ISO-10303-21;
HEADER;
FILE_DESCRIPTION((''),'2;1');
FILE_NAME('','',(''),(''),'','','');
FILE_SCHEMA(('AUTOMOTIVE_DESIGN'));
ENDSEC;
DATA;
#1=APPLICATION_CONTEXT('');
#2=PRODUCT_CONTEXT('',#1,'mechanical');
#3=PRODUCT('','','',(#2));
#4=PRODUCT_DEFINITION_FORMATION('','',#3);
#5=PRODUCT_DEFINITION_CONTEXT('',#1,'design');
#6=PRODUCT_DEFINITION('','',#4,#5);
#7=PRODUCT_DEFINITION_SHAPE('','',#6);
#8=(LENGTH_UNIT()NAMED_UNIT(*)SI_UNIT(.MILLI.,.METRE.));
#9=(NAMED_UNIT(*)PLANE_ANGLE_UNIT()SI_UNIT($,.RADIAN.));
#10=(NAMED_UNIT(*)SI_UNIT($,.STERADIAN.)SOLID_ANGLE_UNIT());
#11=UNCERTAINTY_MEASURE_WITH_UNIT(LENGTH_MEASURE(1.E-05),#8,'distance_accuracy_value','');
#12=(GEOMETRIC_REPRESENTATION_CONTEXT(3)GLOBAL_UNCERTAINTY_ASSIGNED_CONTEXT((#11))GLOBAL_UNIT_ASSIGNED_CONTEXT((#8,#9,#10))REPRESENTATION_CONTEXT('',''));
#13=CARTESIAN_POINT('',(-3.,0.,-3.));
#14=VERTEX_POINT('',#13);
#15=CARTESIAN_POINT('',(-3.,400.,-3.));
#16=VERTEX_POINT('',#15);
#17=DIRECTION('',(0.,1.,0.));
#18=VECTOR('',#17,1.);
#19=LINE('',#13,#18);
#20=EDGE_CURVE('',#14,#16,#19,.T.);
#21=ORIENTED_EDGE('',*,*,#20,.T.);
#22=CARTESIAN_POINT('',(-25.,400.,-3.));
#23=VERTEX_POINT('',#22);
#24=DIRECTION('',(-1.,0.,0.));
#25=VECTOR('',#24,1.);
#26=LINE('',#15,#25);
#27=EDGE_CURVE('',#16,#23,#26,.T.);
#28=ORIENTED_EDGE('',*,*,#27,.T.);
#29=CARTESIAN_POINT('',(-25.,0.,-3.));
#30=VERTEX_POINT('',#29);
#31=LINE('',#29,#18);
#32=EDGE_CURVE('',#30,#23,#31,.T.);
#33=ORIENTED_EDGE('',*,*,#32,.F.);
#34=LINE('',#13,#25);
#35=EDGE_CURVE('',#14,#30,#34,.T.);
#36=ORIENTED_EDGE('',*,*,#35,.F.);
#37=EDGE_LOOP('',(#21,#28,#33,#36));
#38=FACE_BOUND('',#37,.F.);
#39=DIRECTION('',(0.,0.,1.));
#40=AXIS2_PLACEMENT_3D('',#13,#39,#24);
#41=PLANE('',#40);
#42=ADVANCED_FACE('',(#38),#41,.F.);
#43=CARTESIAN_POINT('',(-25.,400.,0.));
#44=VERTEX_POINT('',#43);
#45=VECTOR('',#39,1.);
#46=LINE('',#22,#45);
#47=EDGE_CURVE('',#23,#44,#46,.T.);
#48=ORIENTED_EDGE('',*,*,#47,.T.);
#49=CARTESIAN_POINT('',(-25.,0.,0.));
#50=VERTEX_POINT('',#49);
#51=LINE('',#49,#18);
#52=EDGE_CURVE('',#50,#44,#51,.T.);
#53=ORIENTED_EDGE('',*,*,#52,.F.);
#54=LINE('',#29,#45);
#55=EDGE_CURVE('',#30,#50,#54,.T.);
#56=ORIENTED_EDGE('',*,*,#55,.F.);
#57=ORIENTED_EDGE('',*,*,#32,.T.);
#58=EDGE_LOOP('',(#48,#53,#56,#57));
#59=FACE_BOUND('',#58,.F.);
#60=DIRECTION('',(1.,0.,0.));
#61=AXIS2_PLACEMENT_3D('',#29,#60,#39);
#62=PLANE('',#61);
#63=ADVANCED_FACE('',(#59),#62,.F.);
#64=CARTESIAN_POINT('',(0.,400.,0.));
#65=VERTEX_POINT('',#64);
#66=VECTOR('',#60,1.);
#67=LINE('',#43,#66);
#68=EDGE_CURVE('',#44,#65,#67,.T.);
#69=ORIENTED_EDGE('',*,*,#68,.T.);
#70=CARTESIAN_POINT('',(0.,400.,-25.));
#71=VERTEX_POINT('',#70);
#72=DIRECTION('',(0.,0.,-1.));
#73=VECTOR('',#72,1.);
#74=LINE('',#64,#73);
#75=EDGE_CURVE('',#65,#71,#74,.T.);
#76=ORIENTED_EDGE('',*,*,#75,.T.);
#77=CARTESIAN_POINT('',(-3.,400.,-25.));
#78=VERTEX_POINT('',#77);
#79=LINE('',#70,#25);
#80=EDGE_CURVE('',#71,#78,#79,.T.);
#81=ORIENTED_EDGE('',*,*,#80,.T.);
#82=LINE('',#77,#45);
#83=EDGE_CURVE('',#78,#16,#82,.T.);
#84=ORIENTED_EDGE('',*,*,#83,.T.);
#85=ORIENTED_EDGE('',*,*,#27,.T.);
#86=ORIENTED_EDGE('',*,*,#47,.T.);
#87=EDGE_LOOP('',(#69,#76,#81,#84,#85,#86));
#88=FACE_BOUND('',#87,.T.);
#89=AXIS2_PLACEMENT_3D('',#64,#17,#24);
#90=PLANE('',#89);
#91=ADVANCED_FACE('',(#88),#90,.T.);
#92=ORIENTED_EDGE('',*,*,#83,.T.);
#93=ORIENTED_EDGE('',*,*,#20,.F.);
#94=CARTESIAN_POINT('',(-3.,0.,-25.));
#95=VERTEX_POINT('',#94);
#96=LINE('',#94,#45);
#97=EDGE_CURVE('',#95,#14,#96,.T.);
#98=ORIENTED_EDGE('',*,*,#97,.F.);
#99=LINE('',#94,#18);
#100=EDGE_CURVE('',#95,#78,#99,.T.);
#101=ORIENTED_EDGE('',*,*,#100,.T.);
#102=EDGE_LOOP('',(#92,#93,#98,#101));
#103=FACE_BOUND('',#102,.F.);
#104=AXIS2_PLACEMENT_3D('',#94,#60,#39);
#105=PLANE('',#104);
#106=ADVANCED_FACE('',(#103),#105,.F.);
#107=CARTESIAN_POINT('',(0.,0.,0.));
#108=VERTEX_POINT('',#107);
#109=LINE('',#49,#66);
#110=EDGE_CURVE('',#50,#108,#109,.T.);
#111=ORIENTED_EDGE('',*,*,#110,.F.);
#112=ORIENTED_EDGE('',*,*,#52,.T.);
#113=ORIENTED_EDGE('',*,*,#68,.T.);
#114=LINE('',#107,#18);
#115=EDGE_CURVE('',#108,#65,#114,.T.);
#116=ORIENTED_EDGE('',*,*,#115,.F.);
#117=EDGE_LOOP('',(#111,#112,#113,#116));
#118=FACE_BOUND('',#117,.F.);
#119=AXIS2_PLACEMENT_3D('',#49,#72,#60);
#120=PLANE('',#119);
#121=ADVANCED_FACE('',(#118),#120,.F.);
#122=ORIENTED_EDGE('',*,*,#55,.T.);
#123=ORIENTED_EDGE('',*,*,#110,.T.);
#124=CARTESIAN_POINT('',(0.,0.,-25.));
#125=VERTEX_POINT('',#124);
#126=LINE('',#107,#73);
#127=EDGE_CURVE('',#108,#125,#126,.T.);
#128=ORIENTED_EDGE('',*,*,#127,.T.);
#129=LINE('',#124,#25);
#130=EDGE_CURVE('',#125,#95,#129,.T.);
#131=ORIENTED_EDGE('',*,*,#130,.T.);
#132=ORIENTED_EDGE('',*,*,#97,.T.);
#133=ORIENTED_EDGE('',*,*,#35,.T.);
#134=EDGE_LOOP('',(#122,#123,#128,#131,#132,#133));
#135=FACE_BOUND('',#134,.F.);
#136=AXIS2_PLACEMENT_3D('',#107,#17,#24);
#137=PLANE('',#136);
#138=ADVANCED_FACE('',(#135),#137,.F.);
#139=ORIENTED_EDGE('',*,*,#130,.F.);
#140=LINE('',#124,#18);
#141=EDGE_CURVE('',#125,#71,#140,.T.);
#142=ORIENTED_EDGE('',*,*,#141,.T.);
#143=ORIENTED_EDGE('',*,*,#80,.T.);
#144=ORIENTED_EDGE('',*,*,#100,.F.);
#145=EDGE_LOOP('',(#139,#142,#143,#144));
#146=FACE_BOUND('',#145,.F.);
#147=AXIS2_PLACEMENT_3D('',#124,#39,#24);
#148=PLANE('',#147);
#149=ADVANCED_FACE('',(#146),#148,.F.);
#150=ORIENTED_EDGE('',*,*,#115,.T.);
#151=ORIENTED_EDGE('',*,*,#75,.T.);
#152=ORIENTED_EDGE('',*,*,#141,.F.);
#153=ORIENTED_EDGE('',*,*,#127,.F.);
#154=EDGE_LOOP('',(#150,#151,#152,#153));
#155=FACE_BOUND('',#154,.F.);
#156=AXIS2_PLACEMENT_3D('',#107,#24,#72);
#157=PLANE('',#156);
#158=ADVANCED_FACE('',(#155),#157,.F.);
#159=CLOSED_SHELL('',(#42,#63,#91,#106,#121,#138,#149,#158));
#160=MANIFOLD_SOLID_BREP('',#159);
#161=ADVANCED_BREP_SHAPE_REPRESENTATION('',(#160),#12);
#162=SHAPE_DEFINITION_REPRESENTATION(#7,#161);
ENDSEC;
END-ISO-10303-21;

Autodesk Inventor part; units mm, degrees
ref_plane "YZ Plane" through (0, 0, 0) normal (1, 0, 0) x (0, 1, 0)
ref_plane "XZ Plane" through (0, 0, 0) normal (0, 1, 0) x (-1, 0, 0)
ref_plane "XY Plane" through (0, 0, 0) normal (0, 0, 1) x (1, 0, 0)
sketch "Sketch1" plane through (0, 0, 0) normal (0, 1, 0) x (-1, 0, 0)
  line L0 (0, 0) -> (0, -25)
  line L1 (0, -25) -> (3, -25)
  line L2 (3, -25) -> (3, -3)
  line L3 (3, -3) -> (25, -3)
  line L4 (25, -3) -> (25, 0)
  line L5 (25, 0) -> (0, 0)
  dimension "d0" = 25
  dimension "d1" = 3
  dimension "d2" = 22
  dimension "d3" = 22
extrude "Extrusion1" add sketch "Sketch1" along normal blind 400
properties part number "project MS angle"
